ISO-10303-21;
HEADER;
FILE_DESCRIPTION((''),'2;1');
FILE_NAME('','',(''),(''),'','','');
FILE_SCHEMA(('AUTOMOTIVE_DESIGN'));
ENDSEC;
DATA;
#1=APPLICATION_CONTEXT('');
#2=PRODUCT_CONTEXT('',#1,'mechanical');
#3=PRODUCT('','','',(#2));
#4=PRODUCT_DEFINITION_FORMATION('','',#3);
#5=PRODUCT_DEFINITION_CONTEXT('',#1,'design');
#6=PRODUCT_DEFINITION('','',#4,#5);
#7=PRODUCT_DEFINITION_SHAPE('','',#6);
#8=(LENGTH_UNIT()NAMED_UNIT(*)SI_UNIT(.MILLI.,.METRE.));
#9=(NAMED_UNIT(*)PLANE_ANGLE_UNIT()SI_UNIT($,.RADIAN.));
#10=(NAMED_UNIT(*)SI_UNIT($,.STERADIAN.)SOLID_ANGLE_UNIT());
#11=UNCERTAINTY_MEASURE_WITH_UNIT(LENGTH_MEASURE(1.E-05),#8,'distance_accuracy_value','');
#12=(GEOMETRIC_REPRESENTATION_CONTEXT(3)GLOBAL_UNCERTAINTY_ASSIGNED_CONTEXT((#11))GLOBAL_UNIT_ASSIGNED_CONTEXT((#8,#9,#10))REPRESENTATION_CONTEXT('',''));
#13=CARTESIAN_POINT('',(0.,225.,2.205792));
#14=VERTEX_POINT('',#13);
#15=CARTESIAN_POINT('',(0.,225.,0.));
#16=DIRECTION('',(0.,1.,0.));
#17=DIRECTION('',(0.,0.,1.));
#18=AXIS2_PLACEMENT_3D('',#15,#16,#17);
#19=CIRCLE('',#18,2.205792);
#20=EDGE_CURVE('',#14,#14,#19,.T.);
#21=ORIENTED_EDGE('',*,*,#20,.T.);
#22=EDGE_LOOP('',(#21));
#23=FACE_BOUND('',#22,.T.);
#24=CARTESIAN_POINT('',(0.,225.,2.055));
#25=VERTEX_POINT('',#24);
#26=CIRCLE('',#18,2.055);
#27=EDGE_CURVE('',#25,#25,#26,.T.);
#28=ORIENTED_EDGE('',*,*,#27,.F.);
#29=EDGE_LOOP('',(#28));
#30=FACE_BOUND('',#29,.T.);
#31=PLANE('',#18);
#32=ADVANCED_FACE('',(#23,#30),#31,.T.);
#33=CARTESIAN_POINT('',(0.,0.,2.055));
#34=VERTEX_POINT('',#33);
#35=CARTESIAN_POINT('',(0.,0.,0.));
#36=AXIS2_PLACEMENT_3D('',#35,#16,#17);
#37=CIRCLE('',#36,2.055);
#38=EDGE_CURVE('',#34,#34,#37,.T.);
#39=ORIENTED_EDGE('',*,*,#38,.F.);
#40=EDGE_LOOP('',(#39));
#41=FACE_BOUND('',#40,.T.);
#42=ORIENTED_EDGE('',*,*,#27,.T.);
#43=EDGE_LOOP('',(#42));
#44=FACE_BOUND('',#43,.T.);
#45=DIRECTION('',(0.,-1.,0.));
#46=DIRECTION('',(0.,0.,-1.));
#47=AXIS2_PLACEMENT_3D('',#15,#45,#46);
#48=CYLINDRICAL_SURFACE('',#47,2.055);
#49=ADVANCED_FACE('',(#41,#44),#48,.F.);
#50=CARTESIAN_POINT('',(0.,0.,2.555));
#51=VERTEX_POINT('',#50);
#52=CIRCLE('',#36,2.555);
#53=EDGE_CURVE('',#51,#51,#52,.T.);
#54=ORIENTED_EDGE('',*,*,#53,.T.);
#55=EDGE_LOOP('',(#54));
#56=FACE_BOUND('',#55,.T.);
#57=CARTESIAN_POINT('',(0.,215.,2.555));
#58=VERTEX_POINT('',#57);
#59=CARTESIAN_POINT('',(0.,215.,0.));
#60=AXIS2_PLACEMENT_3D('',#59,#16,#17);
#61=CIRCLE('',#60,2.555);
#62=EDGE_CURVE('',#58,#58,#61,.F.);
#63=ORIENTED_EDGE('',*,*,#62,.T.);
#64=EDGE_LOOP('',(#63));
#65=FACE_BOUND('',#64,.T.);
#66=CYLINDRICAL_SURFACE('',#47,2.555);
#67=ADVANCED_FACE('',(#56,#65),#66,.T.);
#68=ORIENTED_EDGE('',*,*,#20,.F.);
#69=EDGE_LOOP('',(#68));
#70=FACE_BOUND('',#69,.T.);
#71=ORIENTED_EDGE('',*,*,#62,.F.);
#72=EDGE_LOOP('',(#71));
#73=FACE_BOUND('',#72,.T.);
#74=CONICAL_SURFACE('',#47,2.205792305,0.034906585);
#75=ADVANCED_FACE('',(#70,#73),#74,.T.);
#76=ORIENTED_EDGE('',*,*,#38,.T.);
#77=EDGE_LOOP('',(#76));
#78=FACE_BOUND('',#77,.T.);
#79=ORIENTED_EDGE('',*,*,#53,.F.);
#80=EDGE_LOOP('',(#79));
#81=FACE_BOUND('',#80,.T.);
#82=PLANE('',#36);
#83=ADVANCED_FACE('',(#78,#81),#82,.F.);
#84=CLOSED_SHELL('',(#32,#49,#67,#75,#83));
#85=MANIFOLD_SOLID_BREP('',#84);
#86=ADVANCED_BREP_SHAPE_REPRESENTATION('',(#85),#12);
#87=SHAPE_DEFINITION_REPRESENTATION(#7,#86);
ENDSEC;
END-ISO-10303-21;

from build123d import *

# Parameters (mm, degrees)
SKETCH1_R           = 2.555
SKETCH1_R_2         = 2.055
BOSS_EXTRUDE1_DEPTH = 225
CHAMFER1_SIZE       = 10
CHAMFER1_SIZE2      = 0.349207695


with BuildPart() as part:
    # Sketch1 → Boss-Extrude1 (new body)
    with BuildSketch(Plane(origin=(0, 0, 0), x_dir=(1, 0, 0), z_dir=(0, 1, 0))):
        Circle(SKETCH1_R)
        Circle(SKETCH1_R_2, mode=Mode.SUBTRACT)
    extrude(amount=BOSS_EXTRUDE1_DEPTH)

    # Chamfer1
    chamfer1_edges = [part.edges().sort_by_distance(p)[0] for p in [
        (-2.555, 225, 0),
    ]]
    chamfer1_side = [part.faces().sort_by_distance(p)[0] for p in [
        (-2.555, 112.5, 0),
    ]]
    chamfer(chamfer1_edges, length=CHAMFER1_SIZE, length2=CHAMFER1_SIZE2, reference=chamfer1_side[0])


solid = part.part
